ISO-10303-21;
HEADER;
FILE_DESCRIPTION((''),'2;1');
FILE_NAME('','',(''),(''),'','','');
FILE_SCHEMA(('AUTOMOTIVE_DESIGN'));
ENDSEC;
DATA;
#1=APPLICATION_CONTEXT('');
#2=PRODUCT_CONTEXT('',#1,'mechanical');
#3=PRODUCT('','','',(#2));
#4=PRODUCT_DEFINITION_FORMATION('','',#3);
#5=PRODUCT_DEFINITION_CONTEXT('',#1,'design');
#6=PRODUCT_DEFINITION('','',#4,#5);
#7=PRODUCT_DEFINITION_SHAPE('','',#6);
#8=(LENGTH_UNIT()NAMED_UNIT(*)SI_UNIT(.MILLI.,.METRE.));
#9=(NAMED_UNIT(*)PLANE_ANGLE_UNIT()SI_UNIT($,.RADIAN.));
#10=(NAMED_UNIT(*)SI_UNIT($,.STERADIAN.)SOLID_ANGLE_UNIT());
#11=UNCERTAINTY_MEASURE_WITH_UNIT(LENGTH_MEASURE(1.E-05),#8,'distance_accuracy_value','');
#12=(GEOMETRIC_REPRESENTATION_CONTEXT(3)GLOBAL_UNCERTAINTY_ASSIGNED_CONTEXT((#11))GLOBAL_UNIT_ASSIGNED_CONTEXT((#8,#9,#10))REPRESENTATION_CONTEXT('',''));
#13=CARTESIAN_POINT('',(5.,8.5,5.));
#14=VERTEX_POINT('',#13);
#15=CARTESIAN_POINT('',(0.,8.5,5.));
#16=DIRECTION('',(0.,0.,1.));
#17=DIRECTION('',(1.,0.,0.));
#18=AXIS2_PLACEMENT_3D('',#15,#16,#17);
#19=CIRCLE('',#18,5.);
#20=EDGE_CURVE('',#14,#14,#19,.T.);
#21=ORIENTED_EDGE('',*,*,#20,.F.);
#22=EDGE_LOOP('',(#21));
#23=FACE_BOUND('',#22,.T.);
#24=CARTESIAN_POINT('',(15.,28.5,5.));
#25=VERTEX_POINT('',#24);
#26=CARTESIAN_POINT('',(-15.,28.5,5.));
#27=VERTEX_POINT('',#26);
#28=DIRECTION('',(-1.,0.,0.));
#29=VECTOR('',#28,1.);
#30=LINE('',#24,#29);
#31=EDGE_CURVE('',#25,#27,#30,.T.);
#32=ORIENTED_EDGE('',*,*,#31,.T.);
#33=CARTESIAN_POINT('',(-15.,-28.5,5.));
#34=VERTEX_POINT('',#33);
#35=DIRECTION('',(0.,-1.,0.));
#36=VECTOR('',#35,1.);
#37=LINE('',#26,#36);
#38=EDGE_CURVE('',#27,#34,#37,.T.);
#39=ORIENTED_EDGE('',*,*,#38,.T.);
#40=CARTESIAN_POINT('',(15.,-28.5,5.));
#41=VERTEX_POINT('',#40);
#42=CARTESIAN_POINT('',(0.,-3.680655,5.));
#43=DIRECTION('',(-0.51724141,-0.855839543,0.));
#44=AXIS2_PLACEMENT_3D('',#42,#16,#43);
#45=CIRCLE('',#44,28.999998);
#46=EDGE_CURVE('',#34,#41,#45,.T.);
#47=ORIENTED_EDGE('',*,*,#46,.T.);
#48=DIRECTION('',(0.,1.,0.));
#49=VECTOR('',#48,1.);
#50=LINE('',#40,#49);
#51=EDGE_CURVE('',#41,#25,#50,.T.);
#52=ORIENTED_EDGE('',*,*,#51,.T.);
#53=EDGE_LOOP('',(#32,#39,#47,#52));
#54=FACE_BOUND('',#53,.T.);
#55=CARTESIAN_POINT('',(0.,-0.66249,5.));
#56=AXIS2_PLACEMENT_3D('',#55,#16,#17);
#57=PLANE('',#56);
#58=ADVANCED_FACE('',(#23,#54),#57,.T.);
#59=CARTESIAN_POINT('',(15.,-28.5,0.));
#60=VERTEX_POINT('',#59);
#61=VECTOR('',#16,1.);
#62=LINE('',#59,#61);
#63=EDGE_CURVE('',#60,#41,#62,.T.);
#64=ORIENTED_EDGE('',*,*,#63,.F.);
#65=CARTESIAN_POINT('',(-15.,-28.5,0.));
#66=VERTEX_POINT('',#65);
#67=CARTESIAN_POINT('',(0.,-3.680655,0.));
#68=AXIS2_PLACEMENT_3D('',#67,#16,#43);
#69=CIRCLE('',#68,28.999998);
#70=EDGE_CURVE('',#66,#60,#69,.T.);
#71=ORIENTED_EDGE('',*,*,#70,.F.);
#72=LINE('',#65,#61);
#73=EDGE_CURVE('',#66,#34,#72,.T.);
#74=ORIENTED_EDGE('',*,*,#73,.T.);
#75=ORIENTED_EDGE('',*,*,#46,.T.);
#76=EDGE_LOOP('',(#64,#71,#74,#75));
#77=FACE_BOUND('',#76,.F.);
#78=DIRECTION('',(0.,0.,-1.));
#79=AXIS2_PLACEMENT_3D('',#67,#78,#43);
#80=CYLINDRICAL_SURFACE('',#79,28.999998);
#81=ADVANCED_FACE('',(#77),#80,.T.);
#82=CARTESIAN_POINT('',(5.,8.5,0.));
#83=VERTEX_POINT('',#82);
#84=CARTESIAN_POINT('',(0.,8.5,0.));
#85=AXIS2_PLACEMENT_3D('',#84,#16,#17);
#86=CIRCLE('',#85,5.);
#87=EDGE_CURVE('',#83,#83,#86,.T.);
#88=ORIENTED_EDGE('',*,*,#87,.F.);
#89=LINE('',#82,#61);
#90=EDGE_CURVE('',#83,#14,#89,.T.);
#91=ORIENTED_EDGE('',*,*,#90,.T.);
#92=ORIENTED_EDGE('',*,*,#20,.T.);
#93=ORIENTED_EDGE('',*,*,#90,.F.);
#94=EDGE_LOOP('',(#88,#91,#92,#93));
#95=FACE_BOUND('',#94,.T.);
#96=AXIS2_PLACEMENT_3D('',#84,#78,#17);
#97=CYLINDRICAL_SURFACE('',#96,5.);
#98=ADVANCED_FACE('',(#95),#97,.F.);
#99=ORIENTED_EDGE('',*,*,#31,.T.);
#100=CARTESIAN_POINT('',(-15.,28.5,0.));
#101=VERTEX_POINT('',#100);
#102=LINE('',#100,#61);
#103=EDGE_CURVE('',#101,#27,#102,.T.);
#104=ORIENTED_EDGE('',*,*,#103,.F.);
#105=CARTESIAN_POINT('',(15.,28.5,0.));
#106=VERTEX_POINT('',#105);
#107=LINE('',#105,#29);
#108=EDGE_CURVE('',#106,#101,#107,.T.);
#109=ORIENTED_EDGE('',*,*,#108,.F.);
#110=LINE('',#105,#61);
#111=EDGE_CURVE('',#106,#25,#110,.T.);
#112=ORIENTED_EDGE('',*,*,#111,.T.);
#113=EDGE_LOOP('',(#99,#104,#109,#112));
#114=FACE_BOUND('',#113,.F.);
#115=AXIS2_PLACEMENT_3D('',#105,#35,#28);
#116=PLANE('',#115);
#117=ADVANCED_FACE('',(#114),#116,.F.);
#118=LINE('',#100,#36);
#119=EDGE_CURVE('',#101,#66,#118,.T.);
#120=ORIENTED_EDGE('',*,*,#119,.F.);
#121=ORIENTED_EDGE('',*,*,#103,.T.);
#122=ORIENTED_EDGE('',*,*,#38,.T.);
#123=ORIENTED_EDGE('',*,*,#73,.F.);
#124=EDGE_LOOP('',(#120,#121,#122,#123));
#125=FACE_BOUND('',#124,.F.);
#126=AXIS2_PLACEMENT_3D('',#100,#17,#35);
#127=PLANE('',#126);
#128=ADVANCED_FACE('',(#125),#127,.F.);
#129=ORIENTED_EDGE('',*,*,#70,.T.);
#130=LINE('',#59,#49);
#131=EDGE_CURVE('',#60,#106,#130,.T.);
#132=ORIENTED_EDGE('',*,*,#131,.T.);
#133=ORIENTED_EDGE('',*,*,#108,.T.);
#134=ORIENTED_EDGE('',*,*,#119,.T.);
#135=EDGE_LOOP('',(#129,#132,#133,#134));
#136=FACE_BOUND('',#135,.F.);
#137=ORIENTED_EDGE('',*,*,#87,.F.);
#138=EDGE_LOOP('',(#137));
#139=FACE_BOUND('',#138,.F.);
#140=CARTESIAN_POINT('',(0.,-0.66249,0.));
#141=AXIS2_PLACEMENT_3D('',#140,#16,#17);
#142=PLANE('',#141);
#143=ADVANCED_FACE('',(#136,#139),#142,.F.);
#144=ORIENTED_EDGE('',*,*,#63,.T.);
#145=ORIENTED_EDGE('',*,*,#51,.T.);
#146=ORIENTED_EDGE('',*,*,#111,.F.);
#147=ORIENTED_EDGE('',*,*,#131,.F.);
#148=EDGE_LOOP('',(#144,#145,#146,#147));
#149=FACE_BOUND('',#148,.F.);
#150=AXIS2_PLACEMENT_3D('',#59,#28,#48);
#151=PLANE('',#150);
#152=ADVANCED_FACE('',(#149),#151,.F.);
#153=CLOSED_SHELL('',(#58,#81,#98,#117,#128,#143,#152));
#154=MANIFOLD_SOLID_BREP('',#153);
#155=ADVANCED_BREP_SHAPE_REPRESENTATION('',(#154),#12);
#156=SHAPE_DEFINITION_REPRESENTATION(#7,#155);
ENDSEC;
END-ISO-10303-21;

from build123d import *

# Parameters (mm, degrees)
F0_R     = 5
F1_DEPTH = 5


with BuildPart() as f1:
    # F0 (on Top) → F1 (new body)
    with BuildSketch(Plane.XY):
        with BuildLine():
            Line((15, -28.5), (15, 28.5))
            Line((15, 28.5), (-15, 28.5))
            Line((-15, 28.5), (-15, -28.5))
            ThreePointArc((-15, -28.5), (0, -32.680653), (15, -28.5))
        make_face()
        with Locations((0, 8.5)):
            Circle(F0_R, mode=Mode.SUBTRACT)
    extrude(amount=F1_DEPTH)


solid = f1.part
